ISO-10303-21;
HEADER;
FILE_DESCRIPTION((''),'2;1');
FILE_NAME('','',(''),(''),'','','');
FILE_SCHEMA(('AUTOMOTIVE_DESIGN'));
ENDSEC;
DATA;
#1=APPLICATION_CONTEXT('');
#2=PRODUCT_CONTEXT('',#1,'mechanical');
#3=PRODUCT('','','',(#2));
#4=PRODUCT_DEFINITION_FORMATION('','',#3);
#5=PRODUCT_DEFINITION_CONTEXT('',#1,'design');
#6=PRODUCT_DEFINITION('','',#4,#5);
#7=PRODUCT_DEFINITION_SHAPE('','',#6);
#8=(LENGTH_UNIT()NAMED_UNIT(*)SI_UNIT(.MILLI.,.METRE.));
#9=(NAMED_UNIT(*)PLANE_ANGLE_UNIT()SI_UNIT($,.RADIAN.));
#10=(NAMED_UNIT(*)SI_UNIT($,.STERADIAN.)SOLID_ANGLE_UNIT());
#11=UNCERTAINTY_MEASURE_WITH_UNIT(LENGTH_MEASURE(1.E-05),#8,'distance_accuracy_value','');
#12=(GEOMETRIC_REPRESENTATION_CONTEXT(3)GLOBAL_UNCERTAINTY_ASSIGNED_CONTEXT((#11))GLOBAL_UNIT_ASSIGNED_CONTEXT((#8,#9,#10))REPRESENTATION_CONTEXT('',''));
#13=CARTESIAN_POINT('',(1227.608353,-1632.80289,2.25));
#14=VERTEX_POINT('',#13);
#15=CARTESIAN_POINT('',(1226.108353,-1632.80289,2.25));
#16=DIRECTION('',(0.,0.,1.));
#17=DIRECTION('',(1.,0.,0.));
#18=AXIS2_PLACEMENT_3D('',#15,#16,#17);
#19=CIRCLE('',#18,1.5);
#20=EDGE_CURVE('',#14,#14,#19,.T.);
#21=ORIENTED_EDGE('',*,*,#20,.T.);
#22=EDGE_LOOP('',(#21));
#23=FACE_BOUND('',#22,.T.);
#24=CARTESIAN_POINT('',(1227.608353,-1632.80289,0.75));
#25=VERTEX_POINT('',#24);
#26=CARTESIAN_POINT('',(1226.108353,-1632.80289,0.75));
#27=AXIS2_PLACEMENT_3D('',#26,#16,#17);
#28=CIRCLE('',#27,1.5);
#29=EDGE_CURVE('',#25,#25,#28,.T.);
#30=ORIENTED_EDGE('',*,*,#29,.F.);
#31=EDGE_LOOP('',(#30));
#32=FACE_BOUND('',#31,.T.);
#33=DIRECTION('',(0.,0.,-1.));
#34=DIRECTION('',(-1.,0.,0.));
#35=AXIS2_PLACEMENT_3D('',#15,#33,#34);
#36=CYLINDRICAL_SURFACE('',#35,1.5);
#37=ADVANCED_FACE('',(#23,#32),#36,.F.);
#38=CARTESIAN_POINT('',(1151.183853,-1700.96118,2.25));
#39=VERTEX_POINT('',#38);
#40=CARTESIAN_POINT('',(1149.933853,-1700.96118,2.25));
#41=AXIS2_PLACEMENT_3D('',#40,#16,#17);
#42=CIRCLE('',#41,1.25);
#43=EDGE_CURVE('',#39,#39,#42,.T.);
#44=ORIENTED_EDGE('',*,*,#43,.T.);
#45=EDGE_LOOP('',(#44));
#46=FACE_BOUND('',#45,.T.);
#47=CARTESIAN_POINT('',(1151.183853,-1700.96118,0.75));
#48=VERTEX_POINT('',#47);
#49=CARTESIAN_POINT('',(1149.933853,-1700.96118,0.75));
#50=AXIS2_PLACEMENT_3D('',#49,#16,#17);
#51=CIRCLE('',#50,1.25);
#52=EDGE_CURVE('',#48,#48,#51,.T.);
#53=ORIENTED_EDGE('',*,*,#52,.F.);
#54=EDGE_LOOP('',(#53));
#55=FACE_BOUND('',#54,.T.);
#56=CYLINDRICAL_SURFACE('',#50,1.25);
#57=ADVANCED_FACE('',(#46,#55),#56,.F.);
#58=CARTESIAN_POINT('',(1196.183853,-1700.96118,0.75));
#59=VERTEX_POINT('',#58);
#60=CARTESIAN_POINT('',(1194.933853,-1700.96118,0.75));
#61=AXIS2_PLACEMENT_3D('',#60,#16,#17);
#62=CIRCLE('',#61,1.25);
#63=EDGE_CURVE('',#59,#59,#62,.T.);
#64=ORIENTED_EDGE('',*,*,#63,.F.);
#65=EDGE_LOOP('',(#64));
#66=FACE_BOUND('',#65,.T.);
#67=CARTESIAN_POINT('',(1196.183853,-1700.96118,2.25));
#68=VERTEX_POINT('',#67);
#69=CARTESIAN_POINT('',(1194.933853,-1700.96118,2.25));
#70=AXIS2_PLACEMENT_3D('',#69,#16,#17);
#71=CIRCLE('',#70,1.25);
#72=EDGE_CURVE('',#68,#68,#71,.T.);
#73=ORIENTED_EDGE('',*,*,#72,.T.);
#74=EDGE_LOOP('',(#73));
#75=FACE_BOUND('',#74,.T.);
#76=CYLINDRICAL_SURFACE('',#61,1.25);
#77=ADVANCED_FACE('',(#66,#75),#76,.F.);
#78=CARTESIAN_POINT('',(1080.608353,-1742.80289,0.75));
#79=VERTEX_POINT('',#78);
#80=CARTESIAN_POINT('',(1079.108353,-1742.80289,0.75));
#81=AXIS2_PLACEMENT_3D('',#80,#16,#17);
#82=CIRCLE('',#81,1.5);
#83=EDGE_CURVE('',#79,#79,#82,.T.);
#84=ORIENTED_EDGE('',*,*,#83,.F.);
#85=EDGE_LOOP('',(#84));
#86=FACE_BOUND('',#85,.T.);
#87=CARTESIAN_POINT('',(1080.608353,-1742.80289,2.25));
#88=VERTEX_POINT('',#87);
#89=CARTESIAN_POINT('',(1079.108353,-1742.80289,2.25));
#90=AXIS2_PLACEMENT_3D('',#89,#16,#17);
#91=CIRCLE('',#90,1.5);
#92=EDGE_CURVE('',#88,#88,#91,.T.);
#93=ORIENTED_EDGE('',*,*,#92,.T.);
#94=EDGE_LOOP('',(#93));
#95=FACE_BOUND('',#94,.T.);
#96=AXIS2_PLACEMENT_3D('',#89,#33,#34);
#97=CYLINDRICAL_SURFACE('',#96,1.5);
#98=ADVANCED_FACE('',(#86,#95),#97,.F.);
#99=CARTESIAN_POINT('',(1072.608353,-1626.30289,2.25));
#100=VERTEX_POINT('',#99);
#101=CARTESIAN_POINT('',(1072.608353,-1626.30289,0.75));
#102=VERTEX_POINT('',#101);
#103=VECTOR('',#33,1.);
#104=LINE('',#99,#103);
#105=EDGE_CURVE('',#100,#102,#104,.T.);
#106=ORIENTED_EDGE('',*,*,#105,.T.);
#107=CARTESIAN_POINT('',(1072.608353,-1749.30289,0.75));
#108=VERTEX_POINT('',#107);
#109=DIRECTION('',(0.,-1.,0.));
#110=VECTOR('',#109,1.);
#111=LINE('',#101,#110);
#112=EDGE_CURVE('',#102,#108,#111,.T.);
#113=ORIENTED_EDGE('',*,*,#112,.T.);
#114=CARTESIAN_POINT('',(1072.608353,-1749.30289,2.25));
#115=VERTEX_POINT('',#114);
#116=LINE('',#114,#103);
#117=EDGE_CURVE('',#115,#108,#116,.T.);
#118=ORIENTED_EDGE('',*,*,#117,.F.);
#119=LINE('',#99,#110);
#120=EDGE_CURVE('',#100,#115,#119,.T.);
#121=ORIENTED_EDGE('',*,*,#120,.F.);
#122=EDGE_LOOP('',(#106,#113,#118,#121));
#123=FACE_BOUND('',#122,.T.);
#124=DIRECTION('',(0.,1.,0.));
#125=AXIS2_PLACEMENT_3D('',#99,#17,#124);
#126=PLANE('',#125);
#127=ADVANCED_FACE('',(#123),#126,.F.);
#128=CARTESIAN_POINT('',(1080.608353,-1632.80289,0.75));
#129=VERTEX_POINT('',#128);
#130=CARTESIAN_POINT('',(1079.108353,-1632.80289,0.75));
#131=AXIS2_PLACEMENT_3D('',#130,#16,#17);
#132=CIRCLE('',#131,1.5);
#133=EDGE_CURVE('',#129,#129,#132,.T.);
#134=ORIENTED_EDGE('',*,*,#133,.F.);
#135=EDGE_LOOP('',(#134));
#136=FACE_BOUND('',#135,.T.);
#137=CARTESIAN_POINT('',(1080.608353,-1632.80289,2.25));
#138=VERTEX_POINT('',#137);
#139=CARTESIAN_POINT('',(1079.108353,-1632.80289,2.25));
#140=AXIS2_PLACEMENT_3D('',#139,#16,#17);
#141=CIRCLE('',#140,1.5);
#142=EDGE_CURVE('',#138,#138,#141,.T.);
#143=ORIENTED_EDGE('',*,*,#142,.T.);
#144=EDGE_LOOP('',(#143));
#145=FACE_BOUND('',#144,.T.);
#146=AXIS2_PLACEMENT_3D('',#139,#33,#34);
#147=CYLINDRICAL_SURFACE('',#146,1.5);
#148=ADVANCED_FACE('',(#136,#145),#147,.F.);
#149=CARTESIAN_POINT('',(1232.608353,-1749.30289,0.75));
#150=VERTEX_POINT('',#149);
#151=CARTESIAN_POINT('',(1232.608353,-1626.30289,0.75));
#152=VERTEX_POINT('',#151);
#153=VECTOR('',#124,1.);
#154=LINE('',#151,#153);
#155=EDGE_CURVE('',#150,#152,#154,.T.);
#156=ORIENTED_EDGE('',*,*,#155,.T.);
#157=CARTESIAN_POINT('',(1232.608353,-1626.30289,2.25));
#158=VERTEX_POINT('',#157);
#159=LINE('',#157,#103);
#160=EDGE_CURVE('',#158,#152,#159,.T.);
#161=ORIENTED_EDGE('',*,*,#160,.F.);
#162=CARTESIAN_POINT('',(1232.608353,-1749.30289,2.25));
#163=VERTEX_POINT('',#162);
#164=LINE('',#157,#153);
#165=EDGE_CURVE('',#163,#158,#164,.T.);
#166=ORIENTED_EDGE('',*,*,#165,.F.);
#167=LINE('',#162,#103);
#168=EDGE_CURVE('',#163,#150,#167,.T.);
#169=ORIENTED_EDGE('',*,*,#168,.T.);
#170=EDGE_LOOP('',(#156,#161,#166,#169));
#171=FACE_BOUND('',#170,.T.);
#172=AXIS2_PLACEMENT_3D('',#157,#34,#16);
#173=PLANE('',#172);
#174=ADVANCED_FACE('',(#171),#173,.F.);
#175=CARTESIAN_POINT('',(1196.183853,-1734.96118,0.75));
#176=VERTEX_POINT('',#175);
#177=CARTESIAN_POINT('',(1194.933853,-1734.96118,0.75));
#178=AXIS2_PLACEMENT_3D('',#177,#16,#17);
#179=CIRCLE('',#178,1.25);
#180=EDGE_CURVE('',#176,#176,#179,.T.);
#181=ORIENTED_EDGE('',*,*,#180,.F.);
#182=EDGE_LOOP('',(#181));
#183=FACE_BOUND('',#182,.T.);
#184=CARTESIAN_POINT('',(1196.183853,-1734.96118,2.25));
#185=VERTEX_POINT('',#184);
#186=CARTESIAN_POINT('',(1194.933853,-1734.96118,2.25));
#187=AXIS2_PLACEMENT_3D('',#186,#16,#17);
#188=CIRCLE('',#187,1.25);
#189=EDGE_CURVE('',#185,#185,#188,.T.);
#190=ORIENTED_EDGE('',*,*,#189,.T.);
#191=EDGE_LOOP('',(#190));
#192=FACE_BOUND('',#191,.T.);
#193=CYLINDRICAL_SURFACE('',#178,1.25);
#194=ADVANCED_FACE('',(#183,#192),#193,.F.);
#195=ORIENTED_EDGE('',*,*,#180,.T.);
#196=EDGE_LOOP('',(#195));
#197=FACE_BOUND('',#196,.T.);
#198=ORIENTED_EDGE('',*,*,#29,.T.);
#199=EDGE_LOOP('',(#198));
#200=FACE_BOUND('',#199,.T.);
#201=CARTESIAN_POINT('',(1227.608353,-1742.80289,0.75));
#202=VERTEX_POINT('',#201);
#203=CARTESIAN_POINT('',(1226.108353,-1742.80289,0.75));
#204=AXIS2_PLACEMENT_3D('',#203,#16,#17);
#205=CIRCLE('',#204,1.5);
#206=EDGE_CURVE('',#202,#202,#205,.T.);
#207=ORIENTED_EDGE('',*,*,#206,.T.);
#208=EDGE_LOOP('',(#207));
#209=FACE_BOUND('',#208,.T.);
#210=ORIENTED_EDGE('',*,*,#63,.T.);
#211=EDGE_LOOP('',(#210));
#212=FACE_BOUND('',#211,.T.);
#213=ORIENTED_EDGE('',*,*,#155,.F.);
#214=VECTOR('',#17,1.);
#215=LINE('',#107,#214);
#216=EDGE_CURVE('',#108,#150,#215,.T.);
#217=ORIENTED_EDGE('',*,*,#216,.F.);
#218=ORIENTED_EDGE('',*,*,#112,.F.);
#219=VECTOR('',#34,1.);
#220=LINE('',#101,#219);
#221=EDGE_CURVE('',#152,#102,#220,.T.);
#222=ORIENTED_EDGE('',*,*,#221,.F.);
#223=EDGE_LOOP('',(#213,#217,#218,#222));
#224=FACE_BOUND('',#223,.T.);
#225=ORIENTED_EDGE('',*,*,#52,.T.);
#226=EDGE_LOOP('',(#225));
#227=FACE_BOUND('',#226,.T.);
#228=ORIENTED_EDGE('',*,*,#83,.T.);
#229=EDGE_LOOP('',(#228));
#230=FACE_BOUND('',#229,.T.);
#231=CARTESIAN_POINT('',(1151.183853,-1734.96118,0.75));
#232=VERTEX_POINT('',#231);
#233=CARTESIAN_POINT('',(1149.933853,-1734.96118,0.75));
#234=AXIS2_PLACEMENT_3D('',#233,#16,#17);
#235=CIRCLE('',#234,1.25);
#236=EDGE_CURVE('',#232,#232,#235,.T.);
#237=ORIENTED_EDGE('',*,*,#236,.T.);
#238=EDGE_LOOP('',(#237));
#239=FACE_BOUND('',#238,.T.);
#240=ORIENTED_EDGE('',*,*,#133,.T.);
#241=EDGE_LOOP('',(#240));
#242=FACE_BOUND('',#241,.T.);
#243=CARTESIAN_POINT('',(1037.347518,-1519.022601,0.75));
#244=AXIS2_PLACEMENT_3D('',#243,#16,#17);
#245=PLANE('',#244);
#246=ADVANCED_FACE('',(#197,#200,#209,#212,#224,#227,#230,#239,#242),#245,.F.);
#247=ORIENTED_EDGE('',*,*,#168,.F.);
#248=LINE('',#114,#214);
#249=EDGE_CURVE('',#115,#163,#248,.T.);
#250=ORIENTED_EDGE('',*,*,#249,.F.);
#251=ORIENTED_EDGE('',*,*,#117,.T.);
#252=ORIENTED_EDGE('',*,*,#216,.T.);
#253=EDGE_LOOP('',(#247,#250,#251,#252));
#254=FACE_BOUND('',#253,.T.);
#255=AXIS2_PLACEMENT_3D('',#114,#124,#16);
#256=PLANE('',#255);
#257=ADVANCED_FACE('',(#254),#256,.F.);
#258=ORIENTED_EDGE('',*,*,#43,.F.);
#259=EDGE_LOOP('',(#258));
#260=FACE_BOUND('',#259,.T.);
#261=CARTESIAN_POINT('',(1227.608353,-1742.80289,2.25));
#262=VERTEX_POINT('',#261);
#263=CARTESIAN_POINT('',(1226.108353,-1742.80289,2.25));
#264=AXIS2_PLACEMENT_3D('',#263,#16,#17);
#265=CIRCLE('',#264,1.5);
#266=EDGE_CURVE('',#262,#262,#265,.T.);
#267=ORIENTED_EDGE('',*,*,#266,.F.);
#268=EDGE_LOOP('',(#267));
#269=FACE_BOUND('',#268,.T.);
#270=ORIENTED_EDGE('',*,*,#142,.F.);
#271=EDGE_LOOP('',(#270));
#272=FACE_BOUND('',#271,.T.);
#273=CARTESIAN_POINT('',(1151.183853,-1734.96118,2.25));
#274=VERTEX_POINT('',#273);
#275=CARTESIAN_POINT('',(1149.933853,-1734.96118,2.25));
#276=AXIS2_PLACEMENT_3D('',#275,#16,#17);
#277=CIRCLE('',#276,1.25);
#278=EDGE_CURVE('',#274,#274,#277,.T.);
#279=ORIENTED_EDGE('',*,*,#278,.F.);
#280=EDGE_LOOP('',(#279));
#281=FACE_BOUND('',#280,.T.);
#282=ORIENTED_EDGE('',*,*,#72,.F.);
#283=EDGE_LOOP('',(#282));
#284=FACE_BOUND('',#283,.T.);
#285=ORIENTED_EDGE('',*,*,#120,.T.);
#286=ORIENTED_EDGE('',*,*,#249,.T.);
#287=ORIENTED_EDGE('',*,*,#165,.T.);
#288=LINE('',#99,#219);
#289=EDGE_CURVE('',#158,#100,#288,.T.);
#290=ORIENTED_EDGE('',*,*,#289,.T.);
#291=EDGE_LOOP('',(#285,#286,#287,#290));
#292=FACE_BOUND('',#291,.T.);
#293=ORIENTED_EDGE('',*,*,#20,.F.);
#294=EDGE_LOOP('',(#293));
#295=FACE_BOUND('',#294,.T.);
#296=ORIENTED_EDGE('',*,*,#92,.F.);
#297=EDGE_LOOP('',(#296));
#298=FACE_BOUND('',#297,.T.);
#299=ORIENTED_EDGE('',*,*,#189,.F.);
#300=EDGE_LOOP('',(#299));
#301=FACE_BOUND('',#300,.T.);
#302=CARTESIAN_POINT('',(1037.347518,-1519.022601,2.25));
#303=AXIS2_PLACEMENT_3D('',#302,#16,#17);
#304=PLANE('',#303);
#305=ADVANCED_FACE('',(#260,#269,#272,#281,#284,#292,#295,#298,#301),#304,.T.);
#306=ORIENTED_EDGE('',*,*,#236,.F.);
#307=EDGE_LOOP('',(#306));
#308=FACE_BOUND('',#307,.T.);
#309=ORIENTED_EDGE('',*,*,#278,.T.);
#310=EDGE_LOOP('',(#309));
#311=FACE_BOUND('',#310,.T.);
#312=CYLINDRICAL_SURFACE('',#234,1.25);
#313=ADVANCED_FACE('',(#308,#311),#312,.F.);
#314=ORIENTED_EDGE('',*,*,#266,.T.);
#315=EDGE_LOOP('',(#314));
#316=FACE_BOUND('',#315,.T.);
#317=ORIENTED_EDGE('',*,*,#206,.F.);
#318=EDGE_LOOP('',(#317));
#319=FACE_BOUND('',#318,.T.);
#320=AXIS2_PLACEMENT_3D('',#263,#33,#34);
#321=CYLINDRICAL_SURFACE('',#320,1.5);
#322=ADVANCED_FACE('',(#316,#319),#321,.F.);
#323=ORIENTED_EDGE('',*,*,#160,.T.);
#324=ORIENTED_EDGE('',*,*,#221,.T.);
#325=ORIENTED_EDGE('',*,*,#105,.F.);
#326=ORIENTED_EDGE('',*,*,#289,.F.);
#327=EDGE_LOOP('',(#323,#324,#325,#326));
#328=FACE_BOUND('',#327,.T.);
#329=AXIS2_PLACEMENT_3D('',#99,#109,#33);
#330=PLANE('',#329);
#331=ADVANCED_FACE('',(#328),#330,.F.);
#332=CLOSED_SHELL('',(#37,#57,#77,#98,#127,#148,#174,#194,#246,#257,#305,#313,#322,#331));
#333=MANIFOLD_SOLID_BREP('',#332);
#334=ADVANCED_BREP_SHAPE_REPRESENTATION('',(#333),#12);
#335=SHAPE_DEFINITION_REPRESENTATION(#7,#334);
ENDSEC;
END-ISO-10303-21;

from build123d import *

# Parameters (mm, degrees)
SKETCH_1_W               = 1600
SKETCH_1_H               = 1230
SKETCH_1_R               = 15
EXTRUDE_1_DEPTH          = 3
SCALE_1_SCALE_X          = 0.1
SCALE_1_SCALE_Y          = 0.1
SCALE_1_SCALE_Z          = 0.5
SKETCH_2_R               = 1.25
CUT_EXTRUDE_4_DEPTH      = 1.0000001
CUT_EXTRUDE_4_DEPTH_BACK = 2.5000001


with BuildPart() as part:
    # 草图1 → 凸台-拉伸1 (new body)
    with BuildSketch(Plane.XY):
        with Locations((1152.60835314, -1687.80288964)):
            Rectangle(SKETCH_1_W, SKETCH_1_H)
        with Locations((417.60835314, -1137.80288964)):
            Circle(SKETCH_1_R, mode=Mode.SUBTRACT)
        with Locations((1887.60835314, -1137.80288964)):
            Circle(SKETCH_1_R, mode=Mode.SUBTRACT)
        with Locations((1887.60835314, -2237.80288964)):
            Circle(SKETCH_1_R, mode=Mode.SUBTRACT)
        with Locations((417.60835314, -2237.80288964)):
            Circle(SKETCH_1_R, mode=Mode.SUBTRACT)
    extrude(amount=EXTRUDE_1_DEPTH)


with BuildPart() as part_1:
    # 缩放比例1: scaled about (1152.60835314, -1687.80288964, 1.5)
    add(part.part.scale((SCALE_1_SCALE_X, SCALE_1_SCALE_Y, SCALE_1_SCALE_Z), about=(1152.60835314, -1687.80288964, 1.5)))

    # 草图2 → 切除-拉伸4 (cut, two sides)
    with BuildSketch(Plane.XY.offset(2.25)) as cut_extrude_4_sk:
        with Locations((1149.93385314, -1700.96117964)):
            Circle(SKETCH_2_R)
        with Locations((1194.93385314, -1700.96117964)):
            Circle(SKETCH_2_R)
        with Locations((1149.93385314, -1734.96117964)):
            Circle(SKETCH_2_R)
        with Locations((1194.93385314, -1734.96117964)):
            Circle(SKETCH_2_R)
    extrude(amount=CUT_EXTRUDE_4_DEPTH, mode=Mode.SUBTRACT)
    extrude(cut_extrude_4_sk.sketch, amount=-CUT_EXTRUDE_4_DEPTH_BACK, mode=Mode.SUBTRACT)


solid = part_1.part
